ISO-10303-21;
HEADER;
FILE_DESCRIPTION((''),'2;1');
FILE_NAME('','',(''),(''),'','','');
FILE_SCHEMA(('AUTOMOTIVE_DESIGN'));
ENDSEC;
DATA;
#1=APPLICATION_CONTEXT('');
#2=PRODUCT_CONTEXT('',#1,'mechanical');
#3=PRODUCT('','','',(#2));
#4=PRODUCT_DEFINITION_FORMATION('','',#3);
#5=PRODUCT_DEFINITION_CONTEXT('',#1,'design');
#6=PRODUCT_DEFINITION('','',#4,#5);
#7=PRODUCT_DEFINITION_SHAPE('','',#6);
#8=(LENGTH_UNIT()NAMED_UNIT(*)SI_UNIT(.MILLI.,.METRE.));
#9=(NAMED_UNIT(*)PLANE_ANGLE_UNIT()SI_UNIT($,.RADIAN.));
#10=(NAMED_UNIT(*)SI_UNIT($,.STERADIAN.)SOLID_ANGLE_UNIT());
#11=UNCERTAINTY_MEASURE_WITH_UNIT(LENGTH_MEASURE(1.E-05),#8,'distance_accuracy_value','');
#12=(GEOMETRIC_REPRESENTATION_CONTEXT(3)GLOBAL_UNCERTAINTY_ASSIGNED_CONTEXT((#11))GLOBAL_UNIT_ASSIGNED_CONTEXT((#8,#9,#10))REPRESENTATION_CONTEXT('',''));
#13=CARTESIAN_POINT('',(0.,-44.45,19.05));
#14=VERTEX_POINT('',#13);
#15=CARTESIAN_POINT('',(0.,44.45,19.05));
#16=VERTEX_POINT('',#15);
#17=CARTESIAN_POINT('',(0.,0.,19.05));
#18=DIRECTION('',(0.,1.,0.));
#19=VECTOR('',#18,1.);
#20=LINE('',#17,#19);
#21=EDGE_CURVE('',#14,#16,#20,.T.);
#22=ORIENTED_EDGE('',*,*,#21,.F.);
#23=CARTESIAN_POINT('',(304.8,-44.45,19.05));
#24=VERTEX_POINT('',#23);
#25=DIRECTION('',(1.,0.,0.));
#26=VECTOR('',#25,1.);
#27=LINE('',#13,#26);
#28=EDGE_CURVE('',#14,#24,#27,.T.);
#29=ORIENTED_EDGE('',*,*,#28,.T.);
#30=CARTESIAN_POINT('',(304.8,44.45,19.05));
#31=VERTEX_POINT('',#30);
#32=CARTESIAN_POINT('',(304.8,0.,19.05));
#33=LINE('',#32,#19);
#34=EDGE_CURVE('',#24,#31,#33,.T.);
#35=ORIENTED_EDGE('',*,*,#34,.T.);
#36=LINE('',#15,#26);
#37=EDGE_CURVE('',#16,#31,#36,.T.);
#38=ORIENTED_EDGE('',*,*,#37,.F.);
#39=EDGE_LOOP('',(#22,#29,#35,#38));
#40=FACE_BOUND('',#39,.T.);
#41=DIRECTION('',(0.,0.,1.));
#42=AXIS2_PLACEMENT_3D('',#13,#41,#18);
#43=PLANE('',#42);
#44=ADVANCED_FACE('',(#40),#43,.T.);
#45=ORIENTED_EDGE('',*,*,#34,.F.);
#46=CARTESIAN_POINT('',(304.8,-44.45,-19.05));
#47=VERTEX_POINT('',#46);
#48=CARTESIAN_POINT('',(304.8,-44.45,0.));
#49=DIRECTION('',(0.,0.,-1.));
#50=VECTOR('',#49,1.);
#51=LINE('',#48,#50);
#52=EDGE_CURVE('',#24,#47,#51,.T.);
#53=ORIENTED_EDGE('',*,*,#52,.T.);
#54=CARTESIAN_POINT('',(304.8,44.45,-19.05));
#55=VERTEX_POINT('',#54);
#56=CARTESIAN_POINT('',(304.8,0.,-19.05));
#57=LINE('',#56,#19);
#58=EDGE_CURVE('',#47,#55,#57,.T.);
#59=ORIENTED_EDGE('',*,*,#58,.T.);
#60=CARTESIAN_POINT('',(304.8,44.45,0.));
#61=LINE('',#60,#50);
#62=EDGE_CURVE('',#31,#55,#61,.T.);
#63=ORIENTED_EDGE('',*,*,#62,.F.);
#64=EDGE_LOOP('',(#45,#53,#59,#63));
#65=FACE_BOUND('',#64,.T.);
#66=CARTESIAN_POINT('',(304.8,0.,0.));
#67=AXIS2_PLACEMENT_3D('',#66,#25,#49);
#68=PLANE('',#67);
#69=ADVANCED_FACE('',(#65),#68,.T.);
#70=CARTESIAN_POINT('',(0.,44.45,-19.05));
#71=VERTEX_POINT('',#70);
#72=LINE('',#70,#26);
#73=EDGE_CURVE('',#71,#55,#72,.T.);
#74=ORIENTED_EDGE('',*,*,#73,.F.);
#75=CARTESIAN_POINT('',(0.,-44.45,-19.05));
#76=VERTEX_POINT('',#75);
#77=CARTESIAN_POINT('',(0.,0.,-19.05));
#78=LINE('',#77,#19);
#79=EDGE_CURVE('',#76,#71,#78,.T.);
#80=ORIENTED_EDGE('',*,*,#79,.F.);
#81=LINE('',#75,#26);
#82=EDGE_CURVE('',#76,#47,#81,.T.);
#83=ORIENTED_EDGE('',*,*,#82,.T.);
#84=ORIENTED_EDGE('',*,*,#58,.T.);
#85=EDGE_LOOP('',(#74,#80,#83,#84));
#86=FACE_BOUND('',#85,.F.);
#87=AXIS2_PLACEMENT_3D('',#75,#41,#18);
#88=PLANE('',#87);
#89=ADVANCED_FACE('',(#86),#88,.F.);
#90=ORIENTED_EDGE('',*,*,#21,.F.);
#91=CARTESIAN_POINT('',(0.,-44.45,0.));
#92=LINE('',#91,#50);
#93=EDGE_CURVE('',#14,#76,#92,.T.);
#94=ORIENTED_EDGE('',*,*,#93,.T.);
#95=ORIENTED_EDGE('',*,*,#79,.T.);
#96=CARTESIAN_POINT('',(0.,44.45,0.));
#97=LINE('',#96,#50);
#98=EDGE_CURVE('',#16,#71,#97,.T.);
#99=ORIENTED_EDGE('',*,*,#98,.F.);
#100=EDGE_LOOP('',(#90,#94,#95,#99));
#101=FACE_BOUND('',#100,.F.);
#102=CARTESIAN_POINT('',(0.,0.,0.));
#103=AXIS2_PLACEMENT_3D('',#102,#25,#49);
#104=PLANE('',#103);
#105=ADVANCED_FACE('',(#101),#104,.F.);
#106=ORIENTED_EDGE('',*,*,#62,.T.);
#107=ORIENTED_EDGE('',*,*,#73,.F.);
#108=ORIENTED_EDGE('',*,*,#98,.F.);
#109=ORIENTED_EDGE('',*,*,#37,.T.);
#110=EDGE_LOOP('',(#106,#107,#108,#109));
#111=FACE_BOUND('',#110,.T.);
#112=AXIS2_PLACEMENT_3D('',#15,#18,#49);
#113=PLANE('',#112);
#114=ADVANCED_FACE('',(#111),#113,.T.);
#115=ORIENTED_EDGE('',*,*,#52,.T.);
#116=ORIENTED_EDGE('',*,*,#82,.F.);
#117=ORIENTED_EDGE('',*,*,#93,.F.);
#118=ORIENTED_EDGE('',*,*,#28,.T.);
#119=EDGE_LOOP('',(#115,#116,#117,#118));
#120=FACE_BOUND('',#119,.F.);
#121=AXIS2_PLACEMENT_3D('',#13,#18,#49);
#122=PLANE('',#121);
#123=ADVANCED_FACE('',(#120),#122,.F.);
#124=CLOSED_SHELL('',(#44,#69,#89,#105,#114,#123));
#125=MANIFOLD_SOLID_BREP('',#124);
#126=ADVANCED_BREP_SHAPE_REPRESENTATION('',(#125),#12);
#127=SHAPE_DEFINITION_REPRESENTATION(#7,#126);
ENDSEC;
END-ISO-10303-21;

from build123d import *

# Parameters (mm, degrees)
SKETCH1_W           = 38.1
SKETCH1_H           = 88.9
BOSS_EXTRUDE1_DEPTH = 304.8


with BuildPart() as part:
    # Sketch1 → Boss-Extrude1 (new body)
    with BuildSketch(Plane(origin=(0, 0, 0), x_dir=(0, 0, -1), z_dir=(1, 0, 0))):
        Rectangle(SKETCH1_W, SKETCH1_H)
    extrude(amount=BOSS_EXTRUDE1_DEPTH)


solid = part.part
